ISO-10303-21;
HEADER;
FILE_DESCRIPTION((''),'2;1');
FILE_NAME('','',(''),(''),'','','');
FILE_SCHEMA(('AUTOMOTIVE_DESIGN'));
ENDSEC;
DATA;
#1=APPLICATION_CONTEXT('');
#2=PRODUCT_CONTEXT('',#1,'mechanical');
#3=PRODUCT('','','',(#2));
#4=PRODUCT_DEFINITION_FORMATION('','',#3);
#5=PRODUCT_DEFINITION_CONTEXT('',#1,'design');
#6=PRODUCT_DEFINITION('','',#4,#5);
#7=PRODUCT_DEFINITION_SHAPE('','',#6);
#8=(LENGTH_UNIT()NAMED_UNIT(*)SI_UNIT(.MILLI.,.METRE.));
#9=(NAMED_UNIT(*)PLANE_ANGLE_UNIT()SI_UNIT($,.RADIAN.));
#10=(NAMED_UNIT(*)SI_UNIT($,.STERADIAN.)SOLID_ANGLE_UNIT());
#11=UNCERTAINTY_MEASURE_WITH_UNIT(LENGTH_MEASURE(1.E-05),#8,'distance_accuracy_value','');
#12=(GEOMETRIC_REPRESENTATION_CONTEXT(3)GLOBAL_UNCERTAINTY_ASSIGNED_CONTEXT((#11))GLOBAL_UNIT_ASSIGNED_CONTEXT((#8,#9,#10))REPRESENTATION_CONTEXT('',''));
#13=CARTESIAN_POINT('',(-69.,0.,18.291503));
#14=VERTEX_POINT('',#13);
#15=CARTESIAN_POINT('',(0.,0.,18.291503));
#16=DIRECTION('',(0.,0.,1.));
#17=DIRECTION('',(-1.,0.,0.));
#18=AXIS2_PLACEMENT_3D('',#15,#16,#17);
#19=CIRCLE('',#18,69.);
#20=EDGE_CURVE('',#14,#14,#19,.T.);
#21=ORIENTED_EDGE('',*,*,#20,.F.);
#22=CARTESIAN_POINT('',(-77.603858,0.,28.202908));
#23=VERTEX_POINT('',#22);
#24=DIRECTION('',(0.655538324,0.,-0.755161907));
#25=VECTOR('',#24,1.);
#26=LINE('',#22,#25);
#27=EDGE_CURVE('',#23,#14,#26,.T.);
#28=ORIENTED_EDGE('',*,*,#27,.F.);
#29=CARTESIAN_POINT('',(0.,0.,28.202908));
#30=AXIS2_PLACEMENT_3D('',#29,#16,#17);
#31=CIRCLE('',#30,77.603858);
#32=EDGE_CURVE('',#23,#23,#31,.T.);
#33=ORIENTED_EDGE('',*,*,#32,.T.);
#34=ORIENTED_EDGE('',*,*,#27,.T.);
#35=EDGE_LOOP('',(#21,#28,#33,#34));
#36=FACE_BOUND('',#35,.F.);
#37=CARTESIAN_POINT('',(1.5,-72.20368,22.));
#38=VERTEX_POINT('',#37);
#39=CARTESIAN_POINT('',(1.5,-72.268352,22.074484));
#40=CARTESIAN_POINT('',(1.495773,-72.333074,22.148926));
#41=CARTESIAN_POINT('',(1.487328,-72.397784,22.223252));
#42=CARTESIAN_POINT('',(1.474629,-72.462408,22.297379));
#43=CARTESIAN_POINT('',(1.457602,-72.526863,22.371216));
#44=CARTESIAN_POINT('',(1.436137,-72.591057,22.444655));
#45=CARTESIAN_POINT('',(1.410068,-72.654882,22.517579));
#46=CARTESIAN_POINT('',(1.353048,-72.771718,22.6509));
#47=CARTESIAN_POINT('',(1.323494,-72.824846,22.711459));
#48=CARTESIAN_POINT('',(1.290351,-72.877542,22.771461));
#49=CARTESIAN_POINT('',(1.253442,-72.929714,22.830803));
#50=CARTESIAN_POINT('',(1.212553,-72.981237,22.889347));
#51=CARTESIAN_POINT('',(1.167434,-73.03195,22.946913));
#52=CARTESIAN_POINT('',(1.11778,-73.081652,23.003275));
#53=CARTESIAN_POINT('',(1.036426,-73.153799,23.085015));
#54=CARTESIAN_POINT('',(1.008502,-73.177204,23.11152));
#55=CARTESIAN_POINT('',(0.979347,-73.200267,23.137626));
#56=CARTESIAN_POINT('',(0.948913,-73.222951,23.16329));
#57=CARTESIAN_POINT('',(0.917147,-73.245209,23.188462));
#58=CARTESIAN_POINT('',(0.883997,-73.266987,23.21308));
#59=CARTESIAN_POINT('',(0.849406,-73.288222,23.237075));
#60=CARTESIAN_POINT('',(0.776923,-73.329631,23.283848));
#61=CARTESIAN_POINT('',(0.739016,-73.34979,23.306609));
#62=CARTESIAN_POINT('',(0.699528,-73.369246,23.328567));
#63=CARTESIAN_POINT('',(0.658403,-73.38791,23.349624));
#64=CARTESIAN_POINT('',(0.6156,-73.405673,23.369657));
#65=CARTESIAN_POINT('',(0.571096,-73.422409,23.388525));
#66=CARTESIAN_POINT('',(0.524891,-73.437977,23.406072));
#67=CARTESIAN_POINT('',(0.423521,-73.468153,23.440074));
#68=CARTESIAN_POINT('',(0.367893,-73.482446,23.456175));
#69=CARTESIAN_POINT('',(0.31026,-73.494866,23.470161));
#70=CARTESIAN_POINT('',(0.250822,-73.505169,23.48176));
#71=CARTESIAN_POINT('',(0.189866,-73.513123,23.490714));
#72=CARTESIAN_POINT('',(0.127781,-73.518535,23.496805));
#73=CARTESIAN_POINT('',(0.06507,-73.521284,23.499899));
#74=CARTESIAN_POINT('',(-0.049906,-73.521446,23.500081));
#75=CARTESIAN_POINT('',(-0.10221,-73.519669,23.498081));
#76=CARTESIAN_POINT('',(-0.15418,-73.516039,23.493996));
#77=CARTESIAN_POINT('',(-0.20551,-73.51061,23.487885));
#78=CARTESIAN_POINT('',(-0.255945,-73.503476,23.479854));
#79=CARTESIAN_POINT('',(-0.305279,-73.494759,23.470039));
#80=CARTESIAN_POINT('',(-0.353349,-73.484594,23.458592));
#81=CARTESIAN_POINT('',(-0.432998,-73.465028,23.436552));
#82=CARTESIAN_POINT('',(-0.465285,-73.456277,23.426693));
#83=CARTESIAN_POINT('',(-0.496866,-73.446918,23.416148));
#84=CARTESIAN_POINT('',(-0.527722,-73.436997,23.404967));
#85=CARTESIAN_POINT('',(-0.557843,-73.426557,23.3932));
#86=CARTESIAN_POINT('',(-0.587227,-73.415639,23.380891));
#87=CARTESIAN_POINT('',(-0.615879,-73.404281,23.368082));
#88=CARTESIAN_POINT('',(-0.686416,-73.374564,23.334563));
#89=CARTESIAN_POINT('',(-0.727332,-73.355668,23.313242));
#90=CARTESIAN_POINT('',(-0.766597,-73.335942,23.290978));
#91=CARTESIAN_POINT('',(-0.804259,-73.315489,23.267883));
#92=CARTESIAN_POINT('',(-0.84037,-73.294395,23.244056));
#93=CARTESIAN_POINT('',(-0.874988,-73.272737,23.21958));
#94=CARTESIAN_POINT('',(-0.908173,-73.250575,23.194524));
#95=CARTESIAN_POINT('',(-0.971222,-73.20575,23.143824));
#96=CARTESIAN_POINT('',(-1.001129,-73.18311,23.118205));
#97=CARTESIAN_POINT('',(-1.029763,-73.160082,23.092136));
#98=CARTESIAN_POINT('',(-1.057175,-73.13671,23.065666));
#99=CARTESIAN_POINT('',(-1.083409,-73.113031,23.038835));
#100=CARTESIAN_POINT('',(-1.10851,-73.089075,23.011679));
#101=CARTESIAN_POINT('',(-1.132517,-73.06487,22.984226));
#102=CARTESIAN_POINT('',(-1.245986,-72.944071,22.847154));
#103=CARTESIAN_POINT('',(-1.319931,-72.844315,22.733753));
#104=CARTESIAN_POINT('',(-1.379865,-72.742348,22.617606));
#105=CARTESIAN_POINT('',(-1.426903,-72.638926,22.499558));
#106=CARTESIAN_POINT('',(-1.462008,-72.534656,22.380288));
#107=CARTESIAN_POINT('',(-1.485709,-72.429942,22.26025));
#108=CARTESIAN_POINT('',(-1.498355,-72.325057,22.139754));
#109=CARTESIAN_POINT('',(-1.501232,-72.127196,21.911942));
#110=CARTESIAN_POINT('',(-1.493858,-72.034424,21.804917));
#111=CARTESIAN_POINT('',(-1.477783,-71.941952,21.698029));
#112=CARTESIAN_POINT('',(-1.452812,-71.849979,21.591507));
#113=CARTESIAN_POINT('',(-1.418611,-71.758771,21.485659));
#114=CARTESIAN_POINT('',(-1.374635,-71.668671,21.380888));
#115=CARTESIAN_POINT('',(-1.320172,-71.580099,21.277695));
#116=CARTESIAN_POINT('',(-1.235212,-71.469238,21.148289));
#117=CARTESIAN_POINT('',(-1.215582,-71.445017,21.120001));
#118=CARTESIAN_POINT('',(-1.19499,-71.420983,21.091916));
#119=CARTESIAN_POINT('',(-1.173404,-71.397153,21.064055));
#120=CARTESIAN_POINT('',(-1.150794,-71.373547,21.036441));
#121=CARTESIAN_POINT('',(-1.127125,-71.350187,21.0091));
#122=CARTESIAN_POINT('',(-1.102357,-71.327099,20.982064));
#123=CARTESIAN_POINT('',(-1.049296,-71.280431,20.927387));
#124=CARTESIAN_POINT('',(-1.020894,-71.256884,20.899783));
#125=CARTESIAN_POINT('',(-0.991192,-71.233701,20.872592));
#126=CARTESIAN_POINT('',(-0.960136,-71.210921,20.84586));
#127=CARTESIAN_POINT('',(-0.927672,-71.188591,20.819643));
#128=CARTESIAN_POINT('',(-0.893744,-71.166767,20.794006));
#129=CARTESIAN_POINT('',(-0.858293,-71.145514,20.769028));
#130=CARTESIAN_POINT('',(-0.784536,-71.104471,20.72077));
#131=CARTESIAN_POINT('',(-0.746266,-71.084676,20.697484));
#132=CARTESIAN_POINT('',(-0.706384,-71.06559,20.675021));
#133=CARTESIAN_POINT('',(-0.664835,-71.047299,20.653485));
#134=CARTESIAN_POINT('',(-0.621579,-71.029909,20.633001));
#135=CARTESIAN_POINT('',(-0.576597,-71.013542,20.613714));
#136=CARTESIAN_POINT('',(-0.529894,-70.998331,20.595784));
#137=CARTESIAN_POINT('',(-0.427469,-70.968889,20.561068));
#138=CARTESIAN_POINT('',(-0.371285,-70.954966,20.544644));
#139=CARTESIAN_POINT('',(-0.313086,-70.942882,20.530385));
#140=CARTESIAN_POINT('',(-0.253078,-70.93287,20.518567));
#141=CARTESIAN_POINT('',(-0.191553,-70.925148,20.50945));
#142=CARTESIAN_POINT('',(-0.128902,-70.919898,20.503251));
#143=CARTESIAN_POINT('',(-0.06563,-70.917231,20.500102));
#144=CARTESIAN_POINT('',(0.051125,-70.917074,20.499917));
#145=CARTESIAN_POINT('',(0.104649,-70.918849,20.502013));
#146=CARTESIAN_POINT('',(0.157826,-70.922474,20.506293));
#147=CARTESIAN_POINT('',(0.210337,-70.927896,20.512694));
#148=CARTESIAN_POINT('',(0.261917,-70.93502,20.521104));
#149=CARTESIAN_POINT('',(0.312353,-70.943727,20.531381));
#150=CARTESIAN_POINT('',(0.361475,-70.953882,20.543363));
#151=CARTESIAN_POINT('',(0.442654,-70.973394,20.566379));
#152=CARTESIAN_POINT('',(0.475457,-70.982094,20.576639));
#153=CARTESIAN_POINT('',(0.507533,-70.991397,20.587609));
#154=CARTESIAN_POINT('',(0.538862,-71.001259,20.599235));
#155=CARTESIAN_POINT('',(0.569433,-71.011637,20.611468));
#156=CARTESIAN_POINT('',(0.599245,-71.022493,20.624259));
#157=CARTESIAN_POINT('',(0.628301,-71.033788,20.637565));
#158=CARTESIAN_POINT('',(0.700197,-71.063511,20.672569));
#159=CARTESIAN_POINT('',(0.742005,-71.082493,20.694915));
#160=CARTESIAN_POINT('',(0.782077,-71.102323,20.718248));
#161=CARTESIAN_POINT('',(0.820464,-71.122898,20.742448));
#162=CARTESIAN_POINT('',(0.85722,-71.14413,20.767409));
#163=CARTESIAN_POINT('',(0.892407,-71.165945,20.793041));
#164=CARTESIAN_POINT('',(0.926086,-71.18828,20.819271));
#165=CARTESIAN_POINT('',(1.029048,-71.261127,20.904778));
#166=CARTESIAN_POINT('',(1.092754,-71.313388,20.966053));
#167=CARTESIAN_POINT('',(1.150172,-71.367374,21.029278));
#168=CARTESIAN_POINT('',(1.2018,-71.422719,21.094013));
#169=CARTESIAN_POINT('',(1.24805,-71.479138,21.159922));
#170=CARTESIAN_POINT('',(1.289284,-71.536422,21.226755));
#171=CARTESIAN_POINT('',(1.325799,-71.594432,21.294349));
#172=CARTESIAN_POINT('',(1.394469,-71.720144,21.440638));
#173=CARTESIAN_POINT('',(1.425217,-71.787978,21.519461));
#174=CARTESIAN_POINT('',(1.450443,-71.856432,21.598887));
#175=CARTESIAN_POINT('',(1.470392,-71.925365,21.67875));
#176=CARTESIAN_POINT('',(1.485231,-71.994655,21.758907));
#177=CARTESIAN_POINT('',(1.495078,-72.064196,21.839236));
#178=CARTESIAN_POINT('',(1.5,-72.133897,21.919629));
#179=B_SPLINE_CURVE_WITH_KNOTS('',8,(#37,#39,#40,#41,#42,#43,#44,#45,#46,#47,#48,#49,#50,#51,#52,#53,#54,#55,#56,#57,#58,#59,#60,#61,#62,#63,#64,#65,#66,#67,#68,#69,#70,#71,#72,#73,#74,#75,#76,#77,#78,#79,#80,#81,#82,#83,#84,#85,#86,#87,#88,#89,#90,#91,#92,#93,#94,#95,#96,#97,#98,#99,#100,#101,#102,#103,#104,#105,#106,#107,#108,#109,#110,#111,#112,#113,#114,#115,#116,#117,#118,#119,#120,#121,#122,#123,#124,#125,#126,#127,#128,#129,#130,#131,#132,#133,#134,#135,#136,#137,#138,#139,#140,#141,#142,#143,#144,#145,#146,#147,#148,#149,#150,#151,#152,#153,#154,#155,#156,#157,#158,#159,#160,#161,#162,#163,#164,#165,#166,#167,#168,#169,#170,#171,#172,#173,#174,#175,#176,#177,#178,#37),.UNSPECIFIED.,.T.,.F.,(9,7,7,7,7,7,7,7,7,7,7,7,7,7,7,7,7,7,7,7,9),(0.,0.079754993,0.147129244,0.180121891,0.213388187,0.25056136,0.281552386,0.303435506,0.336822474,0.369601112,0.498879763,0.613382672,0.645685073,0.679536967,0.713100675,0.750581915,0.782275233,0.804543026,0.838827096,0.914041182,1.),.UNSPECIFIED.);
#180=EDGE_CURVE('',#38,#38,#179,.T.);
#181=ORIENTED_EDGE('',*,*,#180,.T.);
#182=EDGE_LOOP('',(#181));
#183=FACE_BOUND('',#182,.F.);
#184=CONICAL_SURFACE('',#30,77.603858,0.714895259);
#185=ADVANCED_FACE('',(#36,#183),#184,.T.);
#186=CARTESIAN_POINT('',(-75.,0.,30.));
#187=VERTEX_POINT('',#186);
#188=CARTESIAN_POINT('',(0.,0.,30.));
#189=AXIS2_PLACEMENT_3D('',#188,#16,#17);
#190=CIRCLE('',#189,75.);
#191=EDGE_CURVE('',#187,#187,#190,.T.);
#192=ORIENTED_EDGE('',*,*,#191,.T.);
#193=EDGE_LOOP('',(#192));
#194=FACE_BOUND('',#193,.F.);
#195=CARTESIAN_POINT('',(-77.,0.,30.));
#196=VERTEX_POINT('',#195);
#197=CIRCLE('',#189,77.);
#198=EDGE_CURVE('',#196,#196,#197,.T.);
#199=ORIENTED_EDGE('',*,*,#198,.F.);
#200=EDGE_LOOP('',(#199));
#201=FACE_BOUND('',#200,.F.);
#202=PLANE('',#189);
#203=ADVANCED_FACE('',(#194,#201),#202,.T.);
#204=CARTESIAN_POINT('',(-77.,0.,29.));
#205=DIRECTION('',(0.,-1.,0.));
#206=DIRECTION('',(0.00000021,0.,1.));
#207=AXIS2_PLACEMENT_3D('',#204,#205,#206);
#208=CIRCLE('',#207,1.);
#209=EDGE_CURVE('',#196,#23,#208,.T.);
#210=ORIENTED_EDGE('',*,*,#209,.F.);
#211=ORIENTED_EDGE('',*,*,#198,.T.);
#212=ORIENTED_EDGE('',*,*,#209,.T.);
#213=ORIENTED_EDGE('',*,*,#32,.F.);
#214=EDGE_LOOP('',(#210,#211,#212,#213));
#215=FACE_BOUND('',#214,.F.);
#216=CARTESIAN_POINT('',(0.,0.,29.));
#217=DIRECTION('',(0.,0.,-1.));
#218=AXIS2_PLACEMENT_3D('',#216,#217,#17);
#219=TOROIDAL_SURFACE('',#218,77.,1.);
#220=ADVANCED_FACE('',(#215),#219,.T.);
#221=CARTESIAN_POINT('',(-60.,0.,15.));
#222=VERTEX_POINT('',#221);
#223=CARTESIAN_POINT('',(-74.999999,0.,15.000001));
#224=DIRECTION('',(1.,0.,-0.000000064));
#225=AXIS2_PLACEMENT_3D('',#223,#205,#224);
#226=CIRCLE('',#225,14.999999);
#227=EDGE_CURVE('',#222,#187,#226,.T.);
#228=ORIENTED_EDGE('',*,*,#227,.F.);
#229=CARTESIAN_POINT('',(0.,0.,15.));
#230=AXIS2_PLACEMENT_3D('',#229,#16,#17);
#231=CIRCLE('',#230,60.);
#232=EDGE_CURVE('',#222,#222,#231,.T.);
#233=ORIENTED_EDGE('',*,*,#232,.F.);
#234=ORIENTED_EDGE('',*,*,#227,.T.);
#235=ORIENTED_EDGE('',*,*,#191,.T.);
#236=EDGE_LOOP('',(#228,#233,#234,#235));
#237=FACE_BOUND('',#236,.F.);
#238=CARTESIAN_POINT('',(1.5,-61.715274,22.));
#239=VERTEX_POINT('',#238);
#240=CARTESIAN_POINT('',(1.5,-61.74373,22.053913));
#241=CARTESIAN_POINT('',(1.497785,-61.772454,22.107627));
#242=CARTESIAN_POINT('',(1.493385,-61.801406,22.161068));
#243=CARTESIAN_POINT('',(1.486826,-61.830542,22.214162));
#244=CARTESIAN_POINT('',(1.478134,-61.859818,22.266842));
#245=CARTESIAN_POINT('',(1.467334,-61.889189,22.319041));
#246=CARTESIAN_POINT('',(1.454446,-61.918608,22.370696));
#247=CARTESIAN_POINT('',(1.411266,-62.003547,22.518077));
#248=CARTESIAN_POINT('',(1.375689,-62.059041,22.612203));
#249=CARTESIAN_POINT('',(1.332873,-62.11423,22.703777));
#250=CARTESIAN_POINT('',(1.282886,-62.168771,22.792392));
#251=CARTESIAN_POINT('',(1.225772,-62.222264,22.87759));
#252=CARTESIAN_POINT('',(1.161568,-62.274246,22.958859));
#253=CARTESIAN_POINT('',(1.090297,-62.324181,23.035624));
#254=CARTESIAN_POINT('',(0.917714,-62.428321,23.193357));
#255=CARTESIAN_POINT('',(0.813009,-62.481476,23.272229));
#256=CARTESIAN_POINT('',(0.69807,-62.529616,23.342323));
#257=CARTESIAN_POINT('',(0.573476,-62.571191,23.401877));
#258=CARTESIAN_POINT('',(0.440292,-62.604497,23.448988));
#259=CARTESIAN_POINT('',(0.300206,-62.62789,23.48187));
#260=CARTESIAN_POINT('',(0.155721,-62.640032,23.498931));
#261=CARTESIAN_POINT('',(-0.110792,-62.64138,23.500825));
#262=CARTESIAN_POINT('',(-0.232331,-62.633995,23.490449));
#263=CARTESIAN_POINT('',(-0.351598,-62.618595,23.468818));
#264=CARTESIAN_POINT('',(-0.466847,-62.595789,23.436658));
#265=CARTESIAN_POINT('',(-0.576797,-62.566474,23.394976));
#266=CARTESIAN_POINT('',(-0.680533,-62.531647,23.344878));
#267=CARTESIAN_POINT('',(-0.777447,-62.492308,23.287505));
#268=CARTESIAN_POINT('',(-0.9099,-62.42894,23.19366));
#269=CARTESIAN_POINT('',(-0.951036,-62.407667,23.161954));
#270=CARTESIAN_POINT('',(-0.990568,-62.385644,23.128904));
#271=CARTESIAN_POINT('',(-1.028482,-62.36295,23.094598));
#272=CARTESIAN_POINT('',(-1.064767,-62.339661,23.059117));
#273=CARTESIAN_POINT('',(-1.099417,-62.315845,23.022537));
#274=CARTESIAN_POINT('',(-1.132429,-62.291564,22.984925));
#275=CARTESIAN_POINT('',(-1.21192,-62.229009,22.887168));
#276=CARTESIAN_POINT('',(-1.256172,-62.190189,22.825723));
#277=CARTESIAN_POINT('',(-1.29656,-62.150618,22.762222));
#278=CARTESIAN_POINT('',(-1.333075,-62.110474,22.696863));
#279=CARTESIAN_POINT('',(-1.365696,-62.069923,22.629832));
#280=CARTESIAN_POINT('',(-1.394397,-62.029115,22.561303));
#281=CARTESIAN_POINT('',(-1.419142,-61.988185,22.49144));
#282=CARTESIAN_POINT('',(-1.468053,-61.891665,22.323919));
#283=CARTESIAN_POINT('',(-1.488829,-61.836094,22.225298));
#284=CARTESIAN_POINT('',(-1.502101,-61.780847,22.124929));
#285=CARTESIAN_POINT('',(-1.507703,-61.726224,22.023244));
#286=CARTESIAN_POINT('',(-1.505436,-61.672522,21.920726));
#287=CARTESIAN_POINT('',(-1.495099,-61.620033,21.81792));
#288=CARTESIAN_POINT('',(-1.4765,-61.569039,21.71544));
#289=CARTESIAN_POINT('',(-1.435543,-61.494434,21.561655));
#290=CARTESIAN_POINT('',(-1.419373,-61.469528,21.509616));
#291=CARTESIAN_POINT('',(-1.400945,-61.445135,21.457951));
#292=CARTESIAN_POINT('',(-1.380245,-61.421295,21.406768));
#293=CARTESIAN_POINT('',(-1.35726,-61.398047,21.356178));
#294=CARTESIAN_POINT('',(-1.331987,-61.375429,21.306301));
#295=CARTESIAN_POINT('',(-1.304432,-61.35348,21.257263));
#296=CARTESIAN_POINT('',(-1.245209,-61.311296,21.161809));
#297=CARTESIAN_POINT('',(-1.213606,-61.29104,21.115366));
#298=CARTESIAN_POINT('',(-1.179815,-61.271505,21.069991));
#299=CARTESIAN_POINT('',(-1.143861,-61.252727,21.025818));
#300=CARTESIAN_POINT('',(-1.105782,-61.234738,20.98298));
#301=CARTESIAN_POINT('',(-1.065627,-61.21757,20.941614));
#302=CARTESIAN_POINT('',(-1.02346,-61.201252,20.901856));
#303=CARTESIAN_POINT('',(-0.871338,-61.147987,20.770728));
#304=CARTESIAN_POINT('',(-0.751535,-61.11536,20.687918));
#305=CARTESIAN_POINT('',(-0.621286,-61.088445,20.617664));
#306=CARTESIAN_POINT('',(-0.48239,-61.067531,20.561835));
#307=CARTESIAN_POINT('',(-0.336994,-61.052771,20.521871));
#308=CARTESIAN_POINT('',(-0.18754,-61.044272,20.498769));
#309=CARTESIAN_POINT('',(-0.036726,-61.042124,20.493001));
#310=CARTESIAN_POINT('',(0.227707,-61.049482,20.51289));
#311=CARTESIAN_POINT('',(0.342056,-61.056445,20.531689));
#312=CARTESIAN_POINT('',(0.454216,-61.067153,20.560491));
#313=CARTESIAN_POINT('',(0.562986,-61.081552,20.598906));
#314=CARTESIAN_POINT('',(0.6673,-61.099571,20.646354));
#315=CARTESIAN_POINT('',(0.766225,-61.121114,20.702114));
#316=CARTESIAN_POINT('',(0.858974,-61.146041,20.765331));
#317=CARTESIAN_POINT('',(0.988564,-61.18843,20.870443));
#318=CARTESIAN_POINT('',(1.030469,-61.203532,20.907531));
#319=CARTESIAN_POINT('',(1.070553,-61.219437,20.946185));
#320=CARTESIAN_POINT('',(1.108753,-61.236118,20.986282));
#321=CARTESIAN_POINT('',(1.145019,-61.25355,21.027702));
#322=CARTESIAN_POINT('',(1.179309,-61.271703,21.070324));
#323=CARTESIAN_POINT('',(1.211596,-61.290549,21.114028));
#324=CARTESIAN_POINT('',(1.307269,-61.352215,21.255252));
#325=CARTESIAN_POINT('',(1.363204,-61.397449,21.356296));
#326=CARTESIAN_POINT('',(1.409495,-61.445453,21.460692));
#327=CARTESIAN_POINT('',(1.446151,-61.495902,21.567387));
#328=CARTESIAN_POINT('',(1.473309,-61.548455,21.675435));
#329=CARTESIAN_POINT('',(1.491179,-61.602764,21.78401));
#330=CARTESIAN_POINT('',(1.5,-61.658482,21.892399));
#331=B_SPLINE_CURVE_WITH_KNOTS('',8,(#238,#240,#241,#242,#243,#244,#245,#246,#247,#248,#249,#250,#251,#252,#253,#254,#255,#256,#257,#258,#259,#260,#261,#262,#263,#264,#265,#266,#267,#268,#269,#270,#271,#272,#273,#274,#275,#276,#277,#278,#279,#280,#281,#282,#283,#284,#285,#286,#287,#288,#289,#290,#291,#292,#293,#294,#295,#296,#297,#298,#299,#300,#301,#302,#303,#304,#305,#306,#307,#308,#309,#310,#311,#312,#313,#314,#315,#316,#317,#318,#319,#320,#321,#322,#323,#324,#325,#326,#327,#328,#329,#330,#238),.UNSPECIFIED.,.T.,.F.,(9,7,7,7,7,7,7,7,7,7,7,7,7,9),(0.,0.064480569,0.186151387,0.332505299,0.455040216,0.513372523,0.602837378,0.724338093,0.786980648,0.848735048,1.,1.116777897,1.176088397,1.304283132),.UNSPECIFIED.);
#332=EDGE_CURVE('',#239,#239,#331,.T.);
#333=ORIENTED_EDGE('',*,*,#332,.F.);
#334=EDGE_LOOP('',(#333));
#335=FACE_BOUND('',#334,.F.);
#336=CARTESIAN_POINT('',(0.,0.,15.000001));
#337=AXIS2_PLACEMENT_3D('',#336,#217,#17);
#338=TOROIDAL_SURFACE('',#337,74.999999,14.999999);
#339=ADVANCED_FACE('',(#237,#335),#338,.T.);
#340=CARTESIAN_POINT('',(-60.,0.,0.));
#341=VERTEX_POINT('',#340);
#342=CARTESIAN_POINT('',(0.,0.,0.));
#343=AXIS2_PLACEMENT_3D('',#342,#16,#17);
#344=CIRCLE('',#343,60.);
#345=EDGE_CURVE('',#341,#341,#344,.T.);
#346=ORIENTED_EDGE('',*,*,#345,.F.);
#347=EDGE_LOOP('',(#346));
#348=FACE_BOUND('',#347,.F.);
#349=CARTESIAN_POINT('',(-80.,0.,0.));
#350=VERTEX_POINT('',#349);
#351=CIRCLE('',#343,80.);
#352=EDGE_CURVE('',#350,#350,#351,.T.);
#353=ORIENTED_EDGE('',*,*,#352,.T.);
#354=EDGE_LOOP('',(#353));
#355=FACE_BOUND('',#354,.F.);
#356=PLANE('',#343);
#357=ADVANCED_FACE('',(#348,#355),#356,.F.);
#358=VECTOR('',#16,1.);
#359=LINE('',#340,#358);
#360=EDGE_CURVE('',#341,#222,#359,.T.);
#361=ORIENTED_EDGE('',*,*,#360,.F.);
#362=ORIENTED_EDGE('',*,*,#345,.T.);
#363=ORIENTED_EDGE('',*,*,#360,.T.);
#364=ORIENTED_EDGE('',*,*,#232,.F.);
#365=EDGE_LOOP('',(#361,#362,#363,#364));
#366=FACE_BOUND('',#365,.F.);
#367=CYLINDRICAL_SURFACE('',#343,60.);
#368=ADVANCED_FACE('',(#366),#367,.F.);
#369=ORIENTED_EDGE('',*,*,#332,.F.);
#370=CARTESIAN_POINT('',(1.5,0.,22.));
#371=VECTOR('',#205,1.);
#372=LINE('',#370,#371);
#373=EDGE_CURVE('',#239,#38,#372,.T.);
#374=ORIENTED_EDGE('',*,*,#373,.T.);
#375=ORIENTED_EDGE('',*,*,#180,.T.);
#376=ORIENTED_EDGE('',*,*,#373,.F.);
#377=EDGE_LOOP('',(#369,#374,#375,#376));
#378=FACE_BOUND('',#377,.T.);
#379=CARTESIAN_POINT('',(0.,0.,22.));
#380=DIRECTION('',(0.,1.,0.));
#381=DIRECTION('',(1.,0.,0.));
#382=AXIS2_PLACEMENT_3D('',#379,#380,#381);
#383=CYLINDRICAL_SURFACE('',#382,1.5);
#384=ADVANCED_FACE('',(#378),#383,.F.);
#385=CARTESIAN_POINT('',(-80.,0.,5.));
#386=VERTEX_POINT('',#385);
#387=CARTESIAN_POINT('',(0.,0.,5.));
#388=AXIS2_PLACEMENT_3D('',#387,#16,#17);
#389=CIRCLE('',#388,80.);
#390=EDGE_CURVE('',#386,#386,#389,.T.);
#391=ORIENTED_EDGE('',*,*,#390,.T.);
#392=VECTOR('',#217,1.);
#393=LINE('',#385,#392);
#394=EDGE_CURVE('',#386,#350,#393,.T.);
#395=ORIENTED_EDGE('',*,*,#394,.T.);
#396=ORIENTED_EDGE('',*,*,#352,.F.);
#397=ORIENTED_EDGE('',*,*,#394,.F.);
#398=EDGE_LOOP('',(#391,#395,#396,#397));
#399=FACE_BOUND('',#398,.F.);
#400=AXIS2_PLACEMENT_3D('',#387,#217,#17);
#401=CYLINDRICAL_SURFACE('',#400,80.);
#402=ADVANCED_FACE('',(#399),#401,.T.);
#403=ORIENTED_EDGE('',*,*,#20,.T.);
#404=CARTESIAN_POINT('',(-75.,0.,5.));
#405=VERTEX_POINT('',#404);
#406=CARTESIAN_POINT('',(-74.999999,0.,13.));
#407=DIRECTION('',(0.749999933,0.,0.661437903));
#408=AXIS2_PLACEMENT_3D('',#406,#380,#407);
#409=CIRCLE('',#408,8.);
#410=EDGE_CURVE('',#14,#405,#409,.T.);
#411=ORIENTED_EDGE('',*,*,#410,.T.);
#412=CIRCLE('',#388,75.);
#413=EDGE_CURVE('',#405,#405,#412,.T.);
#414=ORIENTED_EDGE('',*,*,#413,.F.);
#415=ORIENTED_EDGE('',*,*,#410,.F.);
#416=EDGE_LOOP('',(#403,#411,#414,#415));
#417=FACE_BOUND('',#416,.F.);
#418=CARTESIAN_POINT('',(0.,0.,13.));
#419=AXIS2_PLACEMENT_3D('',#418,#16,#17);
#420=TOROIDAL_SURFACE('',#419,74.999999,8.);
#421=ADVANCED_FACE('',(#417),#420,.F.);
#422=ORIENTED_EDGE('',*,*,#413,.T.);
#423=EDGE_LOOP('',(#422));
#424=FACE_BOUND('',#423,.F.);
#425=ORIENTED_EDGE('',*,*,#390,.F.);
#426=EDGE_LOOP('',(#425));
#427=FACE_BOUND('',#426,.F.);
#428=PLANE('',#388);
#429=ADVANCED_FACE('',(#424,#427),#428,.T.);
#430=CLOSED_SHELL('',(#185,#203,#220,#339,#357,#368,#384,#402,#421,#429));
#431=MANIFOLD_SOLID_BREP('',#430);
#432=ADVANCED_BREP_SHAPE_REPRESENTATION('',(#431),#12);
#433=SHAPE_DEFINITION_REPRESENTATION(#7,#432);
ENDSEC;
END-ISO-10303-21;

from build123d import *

# Parameters (mm, degrees)
F3_R     = 1.5
F4_DEPTH = 80.001


with BuildPart() as f2:
    # F0 (on Front) → F2 (revolve)
    with BuildSketch(Plane.XZ):
        with BuildLine():
            Line((-80, 5), (-80, 0))
            Line((-80, 0), (-60, 0))
            Line((-60, 0), (-60, 15))
            ThreePointArc((-60, 15), (-64.393398, 25.606602), (-75, 30))
            Line((-75, 30), (-77, 30))
            ThreePointArc((-77, 30), (-77.947917, 29.318518), (-77.603858, 28.202908))
            Line((-77.603858, 28.202908), (-69, 18.291503))
            ThreePointArc((-69, 18.291503), (-67.708497, 9.708497), (-75, 5))
            Line((-75, 5), (-80, 5))
        make_face()
    revolve(axis=Axis((0, 0, 28.539639), (0, 0, 1)))

    # F3 (on Front) → F4 (cut, through all)
    with BuildSketch(Plane.XZ):
        with Locations((0, 22)):
            Circle(F3_R)
    extrude(amount=F4_DEPTH, mode=Mode.SUBTRACT)


solid = f2.part
